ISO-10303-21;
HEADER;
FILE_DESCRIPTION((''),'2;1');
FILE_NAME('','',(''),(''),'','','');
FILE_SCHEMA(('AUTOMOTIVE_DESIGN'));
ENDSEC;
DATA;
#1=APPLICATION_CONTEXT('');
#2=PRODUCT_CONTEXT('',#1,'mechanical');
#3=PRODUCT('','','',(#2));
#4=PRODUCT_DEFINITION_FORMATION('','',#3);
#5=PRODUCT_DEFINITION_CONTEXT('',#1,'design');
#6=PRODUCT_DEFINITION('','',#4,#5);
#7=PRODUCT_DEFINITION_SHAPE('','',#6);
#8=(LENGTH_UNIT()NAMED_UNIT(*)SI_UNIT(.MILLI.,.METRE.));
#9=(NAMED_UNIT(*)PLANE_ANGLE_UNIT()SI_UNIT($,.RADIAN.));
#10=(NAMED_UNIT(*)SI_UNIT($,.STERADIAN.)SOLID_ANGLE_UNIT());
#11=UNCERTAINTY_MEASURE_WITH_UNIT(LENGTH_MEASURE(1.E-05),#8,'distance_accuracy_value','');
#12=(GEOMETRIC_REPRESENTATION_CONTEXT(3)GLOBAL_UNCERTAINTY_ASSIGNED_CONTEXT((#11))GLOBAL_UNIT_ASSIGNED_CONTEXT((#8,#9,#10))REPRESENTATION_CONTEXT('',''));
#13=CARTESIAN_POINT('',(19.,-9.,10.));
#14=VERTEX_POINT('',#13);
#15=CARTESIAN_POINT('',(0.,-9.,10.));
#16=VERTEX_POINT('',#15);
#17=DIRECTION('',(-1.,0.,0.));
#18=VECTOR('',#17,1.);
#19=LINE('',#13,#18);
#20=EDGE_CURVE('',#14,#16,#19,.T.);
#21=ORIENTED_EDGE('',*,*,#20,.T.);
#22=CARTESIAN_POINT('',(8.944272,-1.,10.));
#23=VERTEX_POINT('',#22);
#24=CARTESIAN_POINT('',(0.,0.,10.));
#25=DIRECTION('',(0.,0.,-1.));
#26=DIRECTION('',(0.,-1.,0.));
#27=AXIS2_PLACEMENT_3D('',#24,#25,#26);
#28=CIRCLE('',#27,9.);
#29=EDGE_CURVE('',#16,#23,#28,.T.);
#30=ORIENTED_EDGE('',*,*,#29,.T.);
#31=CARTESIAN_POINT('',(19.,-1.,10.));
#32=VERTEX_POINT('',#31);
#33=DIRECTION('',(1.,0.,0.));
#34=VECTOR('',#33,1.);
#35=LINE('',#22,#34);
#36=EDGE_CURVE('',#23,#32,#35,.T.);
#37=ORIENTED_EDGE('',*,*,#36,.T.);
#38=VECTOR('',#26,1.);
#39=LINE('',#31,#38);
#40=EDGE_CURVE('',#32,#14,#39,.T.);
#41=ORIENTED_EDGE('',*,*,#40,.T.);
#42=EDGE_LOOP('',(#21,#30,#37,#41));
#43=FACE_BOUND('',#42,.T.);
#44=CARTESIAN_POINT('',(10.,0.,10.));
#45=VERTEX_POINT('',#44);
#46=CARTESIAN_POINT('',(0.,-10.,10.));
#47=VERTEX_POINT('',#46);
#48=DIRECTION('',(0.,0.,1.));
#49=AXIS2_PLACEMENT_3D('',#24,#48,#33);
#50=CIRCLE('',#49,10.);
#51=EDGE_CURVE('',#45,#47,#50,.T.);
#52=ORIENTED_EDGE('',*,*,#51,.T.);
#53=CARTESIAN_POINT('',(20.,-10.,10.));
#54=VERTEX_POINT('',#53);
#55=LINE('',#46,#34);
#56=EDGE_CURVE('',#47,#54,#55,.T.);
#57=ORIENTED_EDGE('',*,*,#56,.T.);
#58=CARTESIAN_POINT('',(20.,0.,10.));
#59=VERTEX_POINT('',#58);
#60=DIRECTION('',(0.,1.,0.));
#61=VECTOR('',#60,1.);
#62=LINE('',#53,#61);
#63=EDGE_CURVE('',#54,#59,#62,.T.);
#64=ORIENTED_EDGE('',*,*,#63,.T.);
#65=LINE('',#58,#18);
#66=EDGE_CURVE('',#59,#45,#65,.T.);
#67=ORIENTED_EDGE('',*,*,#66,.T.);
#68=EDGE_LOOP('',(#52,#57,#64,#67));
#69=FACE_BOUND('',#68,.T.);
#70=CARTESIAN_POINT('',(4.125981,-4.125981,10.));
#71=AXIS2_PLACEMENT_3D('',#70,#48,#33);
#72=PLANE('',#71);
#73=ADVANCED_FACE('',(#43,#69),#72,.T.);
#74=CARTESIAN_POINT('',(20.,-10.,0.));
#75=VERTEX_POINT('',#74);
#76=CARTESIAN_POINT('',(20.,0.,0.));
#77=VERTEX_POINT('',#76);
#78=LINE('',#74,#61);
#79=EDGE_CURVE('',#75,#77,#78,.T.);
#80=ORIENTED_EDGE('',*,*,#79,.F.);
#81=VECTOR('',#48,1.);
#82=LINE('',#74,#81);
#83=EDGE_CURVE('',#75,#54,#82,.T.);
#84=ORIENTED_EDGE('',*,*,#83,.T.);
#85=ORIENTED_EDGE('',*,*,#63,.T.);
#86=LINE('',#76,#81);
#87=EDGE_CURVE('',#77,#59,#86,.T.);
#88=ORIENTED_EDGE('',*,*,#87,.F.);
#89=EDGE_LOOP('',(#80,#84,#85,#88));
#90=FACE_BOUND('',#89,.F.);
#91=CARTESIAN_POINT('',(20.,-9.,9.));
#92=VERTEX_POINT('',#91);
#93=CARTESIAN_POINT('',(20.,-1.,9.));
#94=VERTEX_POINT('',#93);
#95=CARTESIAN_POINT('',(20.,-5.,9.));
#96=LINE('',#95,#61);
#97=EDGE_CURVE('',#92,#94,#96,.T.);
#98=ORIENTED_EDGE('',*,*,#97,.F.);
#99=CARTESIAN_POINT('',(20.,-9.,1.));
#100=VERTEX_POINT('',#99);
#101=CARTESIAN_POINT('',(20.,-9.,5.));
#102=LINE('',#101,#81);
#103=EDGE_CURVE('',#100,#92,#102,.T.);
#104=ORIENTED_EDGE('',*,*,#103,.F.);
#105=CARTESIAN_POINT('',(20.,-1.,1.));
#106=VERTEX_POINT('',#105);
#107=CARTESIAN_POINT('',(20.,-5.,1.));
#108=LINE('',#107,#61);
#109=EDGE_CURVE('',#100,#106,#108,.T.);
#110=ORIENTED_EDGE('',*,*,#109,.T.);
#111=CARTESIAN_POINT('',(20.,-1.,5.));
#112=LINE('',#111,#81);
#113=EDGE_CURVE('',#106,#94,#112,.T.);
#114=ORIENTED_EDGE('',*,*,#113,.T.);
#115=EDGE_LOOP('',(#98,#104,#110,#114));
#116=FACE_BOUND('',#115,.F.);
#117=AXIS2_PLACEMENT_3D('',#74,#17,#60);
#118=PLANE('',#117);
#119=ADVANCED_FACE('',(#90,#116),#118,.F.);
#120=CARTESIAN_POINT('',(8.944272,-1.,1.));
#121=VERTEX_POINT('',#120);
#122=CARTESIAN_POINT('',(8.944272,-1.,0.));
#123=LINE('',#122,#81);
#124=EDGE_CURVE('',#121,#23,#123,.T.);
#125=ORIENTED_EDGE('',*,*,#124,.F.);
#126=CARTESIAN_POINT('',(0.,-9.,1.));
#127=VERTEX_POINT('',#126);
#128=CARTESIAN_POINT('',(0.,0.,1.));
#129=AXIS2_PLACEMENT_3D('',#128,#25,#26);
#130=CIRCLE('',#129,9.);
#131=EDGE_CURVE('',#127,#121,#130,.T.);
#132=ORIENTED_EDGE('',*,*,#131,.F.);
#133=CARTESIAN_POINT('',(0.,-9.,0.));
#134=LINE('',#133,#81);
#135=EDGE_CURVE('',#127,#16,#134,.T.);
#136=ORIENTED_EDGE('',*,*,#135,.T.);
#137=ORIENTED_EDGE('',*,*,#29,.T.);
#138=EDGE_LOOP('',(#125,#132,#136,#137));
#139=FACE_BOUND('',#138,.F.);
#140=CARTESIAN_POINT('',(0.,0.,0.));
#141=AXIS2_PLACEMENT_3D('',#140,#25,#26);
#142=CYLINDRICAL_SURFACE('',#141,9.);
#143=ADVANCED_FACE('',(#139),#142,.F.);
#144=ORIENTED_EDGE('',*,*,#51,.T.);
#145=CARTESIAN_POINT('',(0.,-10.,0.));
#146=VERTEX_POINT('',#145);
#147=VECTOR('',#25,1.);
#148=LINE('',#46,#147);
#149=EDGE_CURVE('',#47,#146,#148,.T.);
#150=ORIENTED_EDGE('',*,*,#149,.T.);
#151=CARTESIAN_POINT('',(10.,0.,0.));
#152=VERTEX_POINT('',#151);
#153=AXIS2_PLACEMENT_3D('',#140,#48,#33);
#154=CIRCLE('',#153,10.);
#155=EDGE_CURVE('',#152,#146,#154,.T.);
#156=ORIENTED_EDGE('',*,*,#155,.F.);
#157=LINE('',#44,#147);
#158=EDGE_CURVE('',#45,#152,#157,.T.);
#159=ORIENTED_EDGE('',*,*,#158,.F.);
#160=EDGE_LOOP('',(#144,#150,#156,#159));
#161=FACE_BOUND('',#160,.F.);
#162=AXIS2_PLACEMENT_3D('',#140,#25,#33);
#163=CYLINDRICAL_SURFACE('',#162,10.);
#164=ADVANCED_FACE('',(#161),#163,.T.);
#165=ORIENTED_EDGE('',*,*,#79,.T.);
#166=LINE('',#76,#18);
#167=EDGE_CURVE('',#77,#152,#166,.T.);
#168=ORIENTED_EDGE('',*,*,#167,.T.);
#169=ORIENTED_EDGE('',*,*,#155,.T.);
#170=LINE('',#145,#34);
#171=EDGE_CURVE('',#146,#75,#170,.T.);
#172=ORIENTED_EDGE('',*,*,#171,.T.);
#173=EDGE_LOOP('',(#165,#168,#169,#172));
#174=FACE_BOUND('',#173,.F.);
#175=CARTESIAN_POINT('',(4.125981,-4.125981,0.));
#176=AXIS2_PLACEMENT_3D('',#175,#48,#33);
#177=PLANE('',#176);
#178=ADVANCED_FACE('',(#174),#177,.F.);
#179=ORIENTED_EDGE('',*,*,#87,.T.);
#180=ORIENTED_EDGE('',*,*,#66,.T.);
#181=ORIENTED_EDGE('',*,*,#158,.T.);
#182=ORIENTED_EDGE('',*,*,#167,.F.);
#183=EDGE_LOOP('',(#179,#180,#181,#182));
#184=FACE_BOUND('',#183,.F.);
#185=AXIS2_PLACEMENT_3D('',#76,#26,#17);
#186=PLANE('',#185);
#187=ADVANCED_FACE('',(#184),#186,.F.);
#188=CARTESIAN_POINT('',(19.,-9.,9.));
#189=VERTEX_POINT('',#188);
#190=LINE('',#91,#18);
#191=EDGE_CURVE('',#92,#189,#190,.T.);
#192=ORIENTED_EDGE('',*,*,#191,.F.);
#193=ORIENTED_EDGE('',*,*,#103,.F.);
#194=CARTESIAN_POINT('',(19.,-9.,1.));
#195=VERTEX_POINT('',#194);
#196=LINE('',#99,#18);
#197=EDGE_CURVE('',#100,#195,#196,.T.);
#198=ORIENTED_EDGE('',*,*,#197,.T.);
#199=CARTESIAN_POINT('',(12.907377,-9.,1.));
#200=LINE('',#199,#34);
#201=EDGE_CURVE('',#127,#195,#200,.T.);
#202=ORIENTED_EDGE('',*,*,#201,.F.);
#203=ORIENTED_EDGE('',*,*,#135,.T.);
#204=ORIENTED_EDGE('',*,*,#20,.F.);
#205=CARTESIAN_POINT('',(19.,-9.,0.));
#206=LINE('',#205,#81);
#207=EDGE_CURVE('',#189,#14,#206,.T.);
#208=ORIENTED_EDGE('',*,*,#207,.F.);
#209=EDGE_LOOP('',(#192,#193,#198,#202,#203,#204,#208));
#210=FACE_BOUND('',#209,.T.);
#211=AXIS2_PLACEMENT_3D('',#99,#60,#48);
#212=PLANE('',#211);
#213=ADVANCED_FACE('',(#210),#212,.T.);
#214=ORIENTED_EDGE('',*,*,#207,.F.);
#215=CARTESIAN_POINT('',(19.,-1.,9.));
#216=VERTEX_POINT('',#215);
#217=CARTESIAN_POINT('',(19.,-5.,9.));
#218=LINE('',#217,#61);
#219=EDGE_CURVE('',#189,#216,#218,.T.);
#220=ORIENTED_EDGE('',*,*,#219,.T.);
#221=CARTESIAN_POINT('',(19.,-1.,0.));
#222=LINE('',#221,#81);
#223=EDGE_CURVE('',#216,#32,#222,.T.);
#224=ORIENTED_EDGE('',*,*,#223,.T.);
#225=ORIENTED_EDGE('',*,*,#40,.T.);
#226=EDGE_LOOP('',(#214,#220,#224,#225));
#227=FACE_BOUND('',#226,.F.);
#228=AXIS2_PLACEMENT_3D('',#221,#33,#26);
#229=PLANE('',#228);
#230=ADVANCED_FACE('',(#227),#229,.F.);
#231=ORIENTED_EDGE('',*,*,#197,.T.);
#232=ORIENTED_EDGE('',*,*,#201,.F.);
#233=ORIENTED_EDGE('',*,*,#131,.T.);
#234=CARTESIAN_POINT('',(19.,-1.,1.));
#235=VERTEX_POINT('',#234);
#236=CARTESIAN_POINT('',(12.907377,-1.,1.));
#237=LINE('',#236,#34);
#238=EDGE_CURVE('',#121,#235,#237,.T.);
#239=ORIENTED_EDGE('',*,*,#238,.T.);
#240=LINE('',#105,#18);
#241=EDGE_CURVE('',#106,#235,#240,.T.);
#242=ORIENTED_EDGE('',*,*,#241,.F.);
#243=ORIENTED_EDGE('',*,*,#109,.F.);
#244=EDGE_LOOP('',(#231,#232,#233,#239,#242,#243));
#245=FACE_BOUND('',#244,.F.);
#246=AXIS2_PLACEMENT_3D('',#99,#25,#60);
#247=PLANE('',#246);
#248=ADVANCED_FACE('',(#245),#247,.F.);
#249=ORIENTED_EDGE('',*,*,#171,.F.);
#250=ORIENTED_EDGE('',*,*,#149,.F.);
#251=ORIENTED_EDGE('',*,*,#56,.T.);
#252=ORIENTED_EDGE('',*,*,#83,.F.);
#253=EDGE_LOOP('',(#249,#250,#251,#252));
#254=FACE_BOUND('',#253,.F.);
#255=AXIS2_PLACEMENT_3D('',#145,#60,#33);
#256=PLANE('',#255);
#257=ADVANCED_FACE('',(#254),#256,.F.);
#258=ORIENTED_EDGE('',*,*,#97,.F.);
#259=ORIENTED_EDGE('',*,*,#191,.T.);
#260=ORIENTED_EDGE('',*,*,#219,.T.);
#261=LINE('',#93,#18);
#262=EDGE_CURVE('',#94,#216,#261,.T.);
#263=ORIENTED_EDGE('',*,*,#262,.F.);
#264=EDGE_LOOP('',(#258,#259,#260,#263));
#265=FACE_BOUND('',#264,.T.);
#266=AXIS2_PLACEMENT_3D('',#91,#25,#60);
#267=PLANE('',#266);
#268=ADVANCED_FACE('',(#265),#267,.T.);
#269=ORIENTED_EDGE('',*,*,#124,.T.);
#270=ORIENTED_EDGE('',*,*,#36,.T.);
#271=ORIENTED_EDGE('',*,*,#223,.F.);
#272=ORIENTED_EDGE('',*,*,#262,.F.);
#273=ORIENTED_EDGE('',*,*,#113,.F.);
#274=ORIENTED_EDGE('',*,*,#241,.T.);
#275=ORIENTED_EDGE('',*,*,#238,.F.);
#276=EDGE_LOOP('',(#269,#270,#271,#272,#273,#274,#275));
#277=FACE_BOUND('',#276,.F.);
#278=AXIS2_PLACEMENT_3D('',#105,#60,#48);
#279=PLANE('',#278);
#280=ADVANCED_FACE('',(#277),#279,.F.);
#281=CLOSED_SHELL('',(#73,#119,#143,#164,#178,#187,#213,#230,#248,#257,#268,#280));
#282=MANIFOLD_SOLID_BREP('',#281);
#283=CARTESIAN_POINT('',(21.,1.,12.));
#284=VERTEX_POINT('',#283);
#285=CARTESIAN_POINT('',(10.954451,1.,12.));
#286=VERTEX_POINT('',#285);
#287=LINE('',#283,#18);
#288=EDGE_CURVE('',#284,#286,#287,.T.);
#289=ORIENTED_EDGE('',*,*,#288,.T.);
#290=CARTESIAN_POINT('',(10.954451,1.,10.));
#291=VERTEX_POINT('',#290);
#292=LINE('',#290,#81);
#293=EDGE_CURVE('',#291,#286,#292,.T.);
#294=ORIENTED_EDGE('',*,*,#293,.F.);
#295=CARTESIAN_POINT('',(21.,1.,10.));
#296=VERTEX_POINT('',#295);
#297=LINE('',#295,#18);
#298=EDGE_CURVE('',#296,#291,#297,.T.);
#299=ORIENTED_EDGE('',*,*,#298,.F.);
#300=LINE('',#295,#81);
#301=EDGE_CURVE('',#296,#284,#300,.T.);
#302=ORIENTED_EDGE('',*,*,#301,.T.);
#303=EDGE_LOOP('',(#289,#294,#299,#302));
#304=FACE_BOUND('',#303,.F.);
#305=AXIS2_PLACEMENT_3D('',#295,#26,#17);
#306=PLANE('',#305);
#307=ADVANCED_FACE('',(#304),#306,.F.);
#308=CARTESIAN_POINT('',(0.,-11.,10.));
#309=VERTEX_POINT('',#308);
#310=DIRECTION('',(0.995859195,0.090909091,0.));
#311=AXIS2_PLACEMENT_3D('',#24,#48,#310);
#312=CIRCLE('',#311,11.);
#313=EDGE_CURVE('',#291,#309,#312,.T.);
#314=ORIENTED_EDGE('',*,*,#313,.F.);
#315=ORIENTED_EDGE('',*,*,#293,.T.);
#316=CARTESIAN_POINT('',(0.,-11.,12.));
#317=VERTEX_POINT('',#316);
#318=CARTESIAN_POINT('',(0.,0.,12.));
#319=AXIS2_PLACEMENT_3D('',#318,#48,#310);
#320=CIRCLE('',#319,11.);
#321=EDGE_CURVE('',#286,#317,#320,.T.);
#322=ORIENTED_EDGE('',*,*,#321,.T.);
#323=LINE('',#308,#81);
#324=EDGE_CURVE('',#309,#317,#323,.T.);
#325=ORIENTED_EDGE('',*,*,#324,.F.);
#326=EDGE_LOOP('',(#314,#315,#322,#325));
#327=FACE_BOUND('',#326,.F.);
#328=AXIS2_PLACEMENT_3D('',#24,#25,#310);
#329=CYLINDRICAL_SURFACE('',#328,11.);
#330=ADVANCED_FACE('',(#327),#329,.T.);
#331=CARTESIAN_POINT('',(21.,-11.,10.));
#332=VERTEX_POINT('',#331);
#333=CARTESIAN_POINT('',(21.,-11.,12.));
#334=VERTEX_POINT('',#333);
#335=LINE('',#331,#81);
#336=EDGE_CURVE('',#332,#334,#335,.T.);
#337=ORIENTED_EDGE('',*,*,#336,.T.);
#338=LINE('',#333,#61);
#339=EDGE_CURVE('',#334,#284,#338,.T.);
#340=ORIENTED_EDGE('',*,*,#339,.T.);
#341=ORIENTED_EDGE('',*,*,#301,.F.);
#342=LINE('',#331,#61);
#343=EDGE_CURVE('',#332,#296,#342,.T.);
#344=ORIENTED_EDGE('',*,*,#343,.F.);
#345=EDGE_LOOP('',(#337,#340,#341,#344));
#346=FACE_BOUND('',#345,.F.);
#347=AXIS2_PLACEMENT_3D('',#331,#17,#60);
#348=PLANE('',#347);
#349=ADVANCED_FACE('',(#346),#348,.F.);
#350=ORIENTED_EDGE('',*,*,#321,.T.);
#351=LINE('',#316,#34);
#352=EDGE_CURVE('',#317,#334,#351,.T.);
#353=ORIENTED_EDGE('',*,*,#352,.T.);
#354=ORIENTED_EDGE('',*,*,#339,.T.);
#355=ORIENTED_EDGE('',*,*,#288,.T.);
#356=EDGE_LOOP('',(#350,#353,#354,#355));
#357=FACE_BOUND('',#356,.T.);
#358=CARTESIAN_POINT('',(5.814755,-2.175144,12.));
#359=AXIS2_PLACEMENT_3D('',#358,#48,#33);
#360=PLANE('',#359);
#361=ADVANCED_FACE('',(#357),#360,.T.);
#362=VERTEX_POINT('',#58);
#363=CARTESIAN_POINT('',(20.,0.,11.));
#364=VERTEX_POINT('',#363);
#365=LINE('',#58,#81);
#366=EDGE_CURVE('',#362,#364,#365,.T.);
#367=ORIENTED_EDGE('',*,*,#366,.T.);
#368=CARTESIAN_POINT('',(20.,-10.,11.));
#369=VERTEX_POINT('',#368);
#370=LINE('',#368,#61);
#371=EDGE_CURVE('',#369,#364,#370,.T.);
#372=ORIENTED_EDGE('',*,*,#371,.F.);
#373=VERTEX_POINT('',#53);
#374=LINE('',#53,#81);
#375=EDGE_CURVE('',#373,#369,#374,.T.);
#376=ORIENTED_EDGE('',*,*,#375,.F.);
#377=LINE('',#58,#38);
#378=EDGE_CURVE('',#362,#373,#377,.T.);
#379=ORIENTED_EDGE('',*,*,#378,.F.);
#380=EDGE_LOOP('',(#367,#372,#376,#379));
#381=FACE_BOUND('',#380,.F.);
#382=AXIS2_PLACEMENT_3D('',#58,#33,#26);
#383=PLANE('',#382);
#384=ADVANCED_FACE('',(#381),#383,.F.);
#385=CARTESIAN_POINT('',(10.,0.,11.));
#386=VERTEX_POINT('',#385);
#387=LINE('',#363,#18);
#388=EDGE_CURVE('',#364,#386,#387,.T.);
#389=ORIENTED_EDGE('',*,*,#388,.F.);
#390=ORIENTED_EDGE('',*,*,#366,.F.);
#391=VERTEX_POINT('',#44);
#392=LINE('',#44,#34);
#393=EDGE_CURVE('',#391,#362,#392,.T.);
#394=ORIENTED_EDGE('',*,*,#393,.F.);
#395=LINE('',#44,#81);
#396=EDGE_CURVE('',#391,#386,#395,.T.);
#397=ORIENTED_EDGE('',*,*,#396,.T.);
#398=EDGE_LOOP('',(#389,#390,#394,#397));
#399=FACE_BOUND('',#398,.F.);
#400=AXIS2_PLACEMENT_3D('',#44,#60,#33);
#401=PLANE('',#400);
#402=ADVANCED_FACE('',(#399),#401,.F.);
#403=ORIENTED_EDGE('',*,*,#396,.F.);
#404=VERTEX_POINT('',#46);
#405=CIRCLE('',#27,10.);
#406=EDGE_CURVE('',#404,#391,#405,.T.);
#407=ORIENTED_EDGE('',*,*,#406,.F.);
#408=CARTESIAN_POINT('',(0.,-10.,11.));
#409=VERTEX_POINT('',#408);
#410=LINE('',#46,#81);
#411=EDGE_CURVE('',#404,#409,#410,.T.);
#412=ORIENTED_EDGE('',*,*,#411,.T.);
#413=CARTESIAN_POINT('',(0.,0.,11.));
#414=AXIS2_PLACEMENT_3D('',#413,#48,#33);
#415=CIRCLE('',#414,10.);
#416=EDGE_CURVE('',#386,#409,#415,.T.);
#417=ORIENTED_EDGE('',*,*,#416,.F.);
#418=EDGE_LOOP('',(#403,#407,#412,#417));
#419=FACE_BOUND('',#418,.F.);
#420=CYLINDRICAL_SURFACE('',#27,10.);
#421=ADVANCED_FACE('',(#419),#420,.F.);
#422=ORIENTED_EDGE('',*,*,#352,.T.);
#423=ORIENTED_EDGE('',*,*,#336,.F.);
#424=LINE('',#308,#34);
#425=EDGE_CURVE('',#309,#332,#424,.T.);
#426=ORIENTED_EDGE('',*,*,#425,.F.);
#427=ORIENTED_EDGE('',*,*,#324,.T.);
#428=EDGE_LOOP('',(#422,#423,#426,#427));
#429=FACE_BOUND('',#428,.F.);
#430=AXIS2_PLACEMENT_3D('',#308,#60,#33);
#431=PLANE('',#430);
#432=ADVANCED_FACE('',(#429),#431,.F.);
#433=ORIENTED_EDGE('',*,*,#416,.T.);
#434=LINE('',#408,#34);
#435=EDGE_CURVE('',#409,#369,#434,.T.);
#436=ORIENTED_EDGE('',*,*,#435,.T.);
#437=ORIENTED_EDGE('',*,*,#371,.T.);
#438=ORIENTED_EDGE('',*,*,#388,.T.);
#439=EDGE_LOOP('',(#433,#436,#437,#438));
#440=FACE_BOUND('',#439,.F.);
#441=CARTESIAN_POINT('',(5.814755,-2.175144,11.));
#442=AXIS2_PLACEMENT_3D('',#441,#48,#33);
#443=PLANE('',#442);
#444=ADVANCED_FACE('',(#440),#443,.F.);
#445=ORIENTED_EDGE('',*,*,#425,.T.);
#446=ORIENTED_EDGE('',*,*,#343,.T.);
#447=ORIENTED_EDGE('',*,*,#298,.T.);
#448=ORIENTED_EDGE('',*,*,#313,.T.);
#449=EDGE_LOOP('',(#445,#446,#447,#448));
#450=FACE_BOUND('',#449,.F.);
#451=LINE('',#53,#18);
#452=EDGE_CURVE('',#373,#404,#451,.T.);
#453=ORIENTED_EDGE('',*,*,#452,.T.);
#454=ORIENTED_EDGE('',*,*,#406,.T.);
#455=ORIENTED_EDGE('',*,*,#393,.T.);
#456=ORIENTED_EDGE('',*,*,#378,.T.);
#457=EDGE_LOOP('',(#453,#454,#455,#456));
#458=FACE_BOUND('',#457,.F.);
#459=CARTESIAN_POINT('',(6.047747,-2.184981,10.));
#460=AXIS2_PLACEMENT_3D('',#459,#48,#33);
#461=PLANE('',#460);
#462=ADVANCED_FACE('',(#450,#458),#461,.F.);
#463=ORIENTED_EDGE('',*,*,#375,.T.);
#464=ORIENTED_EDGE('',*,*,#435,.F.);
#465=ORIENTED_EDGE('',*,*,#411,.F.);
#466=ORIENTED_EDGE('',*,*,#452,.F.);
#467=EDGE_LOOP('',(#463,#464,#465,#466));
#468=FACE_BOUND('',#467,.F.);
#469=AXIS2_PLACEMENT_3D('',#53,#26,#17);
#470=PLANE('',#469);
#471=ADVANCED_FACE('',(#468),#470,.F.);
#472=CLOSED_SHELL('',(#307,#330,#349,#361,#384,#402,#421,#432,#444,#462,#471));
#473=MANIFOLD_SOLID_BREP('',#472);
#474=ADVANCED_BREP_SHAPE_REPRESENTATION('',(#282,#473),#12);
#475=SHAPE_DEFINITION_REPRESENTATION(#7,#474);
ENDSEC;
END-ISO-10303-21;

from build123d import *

# Parameters (mm, degrees)
F1_DEPTH  = 10
F3_DEPTH  = 10
F4_W      = 7.999999905
F4_H      = 7.999999905
F5_DEPTH  = 1
F7_DEPTH  = 1
F9_DEPTH  = 2
F11_DEPTH = 1


with BuildPart() as f1:
    # F0 (on Top) → F1 (new body)
    with BuildSketch(Plane.XY):
        with BuildLine():
            ThreePointArc((0, -10), (7.0710678119, -7.0710678119), (10, 0))
            Line((10, 0), (0, 0))
            Line((0, 0), (0, -10))
        make_face()
        with BuildLine():
            Line((20, 0), (10, 0))
            ThreePointArc((10, 0), (7.0710678119, -7.0710678119), (0, -10))
            Line((0, -10), (20, -10))
            Line((20, -10), (20, 0))
        make_face()
        with BuildLine():
            Line((0, 0), (10, 0))
            ThreePointArc((10, 0), (-7.0710678119, 7.0710678119), (0, -10))
            Line((0, -10), (0, 0))
        make_face()
    extrude(amount=F1_DEPTH)

    # F2 (on face) → F3 (cut, through all)
    with BuildSketch(Plane(origin=(0, 0, 0), x_dir=(1, 0, 0), z_dir=(0, 0, -1))):
        with BuildLine():
            Line((19, 9), (0, 9))
            ThreePointArc((0, 9), (-6, -6.7082039325), (8.94427191, 1))
            Line((8.94427191, 1), (19, 1))
            Line((19, 1), (19, 9))
        make_face()
    extrude(amount=-F3_DEPTH, mode=Mode.SUBTRACT)

    # F4 (on face) → F5 (cut, through all)
    with BuildSketch(Plane.YZ.offset(20)):
        with Locations((-5, 5)):
            Rectangle(F4_W, F4_H)
    extrude(amount=-F5_DEPTH, mode=Mode.SUBTRACT)

    # F6 (on Top) → F7 (join)
    with BuildSketch(Plane.XY):
        with BuildLine():
            Line((20, 0), (10, 0))
            ThreePointArc((10, 0), (-7.0710678119, 7.0710678119), (0, -10))
            Line((0, -10), (20, -10))
            Line((20, -10), (20, 0))
        make_face()
    extrude(amount=F7_DEPTH)


with BuildPart() as f9:
    # F8 (on face) → F9 (new body)
    with BuildSketch(Plane.XY.offset(10)):
        with BuildLine():
            Line((21, 1), (10.9544511501, 1))
            ThreePointArc((10.9544511501, 1), (-8.1240384046, 7.4161984871), (0, -11))
            Line((0, -11), (21, -11))
            Line((21, -11), (21, 1))
        make_face()
        with BuildLine():
            Line((20, -10), (0, -10))
            ThreePointArc((0, -10), (-7.0710678119, 7.0710678119), (10, 0))
            Line((10, 0), (20, 0))
            Line((20, 0), (20, -10))
        make_face(mode=Mode.SUBTRACT)
    extrude(amount=F9_DEPTH)

    # F10 (on face) → F11 (join)
    with BuildSketch(Plane.XY.offset(12)):
        with BuildLine():
            Line((20, 0), (10, 0))
            ThreePointArc((10, 0), (-7.0710678119, 7.0710678119), (0, -10))
            Line((0, -10), (20, -10))
            Line((20, -10), (20, 0))
        make_face()
    extrude(amount=-F11_DEPTH)


solid = Compound([f1.part, f9.part])
